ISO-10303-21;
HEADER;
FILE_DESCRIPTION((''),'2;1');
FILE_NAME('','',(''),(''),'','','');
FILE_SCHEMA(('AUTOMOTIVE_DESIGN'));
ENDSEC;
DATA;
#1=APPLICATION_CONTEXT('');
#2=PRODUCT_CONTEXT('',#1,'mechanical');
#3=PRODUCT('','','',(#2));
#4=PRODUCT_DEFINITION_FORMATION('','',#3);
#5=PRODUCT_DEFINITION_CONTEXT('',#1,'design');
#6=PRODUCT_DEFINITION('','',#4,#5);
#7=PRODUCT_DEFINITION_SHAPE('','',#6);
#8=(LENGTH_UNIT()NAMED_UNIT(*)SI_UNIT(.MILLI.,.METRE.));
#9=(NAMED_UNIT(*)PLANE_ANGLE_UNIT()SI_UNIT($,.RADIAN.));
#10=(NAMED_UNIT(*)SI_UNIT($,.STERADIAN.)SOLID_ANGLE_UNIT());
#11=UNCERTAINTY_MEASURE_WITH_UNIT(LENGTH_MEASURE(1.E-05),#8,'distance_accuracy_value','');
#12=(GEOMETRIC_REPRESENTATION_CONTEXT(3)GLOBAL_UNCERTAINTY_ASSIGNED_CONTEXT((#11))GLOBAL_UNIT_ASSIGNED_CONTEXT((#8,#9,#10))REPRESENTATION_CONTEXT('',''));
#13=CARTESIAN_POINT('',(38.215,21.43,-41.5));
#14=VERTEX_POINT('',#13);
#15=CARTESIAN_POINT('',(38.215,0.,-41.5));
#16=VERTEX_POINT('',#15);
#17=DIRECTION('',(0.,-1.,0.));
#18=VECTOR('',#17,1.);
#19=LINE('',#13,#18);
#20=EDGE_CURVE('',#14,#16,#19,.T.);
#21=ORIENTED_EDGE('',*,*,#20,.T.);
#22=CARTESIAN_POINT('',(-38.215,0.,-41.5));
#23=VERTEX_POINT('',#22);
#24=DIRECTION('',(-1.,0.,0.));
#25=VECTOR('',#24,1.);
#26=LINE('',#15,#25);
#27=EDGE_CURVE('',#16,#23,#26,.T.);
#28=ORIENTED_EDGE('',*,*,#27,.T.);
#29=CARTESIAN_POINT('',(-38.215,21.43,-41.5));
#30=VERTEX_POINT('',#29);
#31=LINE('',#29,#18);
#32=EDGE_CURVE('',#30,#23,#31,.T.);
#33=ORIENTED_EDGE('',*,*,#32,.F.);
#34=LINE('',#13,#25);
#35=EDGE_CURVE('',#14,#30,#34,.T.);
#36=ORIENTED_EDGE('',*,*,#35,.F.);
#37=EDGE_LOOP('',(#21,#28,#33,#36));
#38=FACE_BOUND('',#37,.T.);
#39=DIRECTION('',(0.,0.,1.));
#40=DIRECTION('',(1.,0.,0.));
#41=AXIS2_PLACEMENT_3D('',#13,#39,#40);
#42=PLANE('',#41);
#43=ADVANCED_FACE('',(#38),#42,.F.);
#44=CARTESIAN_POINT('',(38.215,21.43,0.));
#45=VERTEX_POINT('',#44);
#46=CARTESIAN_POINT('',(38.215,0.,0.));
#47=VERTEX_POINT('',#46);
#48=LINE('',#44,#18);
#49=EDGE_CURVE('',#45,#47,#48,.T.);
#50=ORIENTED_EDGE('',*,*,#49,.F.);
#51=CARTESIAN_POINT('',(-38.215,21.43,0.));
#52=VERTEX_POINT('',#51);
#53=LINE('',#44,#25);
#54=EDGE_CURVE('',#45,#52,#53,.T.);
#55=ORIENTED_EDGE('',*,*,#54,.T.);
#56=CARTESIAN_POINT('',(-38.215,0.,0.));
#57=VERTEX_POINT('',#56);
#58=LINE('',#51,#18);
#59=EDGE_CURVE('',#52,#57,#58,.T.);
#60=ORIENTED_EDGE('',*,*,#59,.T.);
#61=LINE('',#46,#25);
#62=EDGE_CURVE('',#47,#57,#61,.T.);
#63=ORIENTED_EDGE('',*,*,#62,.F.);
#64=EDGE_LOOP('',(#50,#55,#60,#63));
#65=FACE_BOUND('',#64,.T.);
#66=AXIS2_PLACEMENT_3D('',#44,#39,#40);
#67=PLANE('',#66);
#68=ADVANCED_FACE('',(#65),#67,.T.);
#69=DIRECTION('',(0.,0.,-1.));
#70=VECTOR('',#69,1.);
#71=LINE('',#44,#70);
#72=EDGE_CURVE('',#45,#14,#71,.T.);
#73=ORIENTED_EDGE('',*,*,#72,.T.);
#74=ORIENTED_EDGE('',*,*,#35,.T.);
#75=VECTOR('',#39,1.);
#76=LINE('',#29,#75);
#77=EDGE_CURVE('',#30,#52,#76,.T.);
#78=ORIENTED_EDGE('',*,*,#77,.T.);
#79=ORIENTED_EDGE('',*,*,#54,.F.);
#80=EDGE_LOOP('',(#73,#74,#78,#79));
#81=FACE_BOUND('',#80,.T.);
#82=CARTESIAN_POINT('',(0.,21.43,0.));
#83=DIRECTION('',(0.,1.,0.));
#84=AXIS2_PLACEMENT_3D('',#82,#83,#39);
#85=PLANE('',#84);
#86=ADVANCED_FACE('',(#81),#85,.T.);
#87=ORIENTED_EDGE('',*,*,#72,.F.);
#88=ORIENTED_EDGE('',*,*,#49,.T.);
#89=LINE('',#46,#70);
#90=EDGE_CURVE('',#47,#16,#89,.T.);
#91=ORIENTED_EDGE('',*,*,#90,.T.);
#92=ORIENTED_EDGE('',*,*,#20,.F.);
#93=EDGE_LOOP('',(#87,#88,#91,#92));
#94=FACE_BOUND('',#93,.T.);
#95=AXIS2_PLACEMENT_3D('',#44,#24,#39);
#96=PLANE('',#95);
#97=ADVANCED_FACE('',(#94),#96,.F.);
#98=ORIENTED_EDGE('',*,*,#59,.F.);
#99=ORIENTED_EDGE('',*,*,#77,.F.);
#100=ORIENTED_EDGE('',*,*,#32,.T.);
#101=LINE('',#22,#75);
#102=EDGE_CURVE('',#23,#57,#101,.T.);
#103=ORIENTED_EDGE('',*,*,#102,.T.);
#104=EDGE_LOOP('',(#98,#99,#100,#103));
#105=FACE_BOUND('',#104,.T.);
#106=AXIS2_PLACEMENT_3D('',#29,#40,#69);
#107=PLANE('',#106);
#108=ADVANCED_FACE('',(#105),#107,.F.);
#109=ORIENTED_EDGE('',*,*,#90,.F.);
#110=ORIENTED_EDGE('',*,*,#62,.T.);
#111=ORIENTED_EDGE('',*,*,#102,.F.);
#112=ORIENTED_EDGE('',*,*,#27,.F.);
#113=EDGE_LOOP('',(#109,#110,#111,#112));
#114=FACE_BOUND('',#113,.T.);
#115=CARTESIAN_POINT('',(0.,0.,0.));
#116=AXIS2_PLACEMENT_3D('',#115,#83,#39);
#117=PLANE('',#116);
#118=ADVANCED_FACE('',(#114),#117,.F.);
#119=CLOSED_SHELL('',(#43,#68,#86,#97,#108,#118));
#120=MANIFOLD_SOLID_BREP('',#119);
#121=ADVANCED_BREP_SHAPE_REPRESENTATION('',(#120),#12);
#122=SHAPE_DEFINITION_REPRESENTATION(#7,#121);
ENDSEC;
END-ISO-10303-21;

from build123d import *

# Parameters (mm, degrees)
ESQUISSE1_W        = 76.43
ESQUISSE1_H        = 41.5
BOSS_EXTRU_1_DEPTH = 21.43


with BuildPart() as part:
    # Esquisse1 → Boss.-Extru.1 (new body)
    with BuildSketch(Plane(origin=(0, 0, 0), x_dir=(1, 0, 0), z_dir=(0, 1, 0))):
        with Locations((0, 20.75)):
            Rectangle(ESQUISSE1_W, ESQUISSE1_H)
    extrude(amount=BOSS_EXTRU_1_DEPTH)


solid = part.part
